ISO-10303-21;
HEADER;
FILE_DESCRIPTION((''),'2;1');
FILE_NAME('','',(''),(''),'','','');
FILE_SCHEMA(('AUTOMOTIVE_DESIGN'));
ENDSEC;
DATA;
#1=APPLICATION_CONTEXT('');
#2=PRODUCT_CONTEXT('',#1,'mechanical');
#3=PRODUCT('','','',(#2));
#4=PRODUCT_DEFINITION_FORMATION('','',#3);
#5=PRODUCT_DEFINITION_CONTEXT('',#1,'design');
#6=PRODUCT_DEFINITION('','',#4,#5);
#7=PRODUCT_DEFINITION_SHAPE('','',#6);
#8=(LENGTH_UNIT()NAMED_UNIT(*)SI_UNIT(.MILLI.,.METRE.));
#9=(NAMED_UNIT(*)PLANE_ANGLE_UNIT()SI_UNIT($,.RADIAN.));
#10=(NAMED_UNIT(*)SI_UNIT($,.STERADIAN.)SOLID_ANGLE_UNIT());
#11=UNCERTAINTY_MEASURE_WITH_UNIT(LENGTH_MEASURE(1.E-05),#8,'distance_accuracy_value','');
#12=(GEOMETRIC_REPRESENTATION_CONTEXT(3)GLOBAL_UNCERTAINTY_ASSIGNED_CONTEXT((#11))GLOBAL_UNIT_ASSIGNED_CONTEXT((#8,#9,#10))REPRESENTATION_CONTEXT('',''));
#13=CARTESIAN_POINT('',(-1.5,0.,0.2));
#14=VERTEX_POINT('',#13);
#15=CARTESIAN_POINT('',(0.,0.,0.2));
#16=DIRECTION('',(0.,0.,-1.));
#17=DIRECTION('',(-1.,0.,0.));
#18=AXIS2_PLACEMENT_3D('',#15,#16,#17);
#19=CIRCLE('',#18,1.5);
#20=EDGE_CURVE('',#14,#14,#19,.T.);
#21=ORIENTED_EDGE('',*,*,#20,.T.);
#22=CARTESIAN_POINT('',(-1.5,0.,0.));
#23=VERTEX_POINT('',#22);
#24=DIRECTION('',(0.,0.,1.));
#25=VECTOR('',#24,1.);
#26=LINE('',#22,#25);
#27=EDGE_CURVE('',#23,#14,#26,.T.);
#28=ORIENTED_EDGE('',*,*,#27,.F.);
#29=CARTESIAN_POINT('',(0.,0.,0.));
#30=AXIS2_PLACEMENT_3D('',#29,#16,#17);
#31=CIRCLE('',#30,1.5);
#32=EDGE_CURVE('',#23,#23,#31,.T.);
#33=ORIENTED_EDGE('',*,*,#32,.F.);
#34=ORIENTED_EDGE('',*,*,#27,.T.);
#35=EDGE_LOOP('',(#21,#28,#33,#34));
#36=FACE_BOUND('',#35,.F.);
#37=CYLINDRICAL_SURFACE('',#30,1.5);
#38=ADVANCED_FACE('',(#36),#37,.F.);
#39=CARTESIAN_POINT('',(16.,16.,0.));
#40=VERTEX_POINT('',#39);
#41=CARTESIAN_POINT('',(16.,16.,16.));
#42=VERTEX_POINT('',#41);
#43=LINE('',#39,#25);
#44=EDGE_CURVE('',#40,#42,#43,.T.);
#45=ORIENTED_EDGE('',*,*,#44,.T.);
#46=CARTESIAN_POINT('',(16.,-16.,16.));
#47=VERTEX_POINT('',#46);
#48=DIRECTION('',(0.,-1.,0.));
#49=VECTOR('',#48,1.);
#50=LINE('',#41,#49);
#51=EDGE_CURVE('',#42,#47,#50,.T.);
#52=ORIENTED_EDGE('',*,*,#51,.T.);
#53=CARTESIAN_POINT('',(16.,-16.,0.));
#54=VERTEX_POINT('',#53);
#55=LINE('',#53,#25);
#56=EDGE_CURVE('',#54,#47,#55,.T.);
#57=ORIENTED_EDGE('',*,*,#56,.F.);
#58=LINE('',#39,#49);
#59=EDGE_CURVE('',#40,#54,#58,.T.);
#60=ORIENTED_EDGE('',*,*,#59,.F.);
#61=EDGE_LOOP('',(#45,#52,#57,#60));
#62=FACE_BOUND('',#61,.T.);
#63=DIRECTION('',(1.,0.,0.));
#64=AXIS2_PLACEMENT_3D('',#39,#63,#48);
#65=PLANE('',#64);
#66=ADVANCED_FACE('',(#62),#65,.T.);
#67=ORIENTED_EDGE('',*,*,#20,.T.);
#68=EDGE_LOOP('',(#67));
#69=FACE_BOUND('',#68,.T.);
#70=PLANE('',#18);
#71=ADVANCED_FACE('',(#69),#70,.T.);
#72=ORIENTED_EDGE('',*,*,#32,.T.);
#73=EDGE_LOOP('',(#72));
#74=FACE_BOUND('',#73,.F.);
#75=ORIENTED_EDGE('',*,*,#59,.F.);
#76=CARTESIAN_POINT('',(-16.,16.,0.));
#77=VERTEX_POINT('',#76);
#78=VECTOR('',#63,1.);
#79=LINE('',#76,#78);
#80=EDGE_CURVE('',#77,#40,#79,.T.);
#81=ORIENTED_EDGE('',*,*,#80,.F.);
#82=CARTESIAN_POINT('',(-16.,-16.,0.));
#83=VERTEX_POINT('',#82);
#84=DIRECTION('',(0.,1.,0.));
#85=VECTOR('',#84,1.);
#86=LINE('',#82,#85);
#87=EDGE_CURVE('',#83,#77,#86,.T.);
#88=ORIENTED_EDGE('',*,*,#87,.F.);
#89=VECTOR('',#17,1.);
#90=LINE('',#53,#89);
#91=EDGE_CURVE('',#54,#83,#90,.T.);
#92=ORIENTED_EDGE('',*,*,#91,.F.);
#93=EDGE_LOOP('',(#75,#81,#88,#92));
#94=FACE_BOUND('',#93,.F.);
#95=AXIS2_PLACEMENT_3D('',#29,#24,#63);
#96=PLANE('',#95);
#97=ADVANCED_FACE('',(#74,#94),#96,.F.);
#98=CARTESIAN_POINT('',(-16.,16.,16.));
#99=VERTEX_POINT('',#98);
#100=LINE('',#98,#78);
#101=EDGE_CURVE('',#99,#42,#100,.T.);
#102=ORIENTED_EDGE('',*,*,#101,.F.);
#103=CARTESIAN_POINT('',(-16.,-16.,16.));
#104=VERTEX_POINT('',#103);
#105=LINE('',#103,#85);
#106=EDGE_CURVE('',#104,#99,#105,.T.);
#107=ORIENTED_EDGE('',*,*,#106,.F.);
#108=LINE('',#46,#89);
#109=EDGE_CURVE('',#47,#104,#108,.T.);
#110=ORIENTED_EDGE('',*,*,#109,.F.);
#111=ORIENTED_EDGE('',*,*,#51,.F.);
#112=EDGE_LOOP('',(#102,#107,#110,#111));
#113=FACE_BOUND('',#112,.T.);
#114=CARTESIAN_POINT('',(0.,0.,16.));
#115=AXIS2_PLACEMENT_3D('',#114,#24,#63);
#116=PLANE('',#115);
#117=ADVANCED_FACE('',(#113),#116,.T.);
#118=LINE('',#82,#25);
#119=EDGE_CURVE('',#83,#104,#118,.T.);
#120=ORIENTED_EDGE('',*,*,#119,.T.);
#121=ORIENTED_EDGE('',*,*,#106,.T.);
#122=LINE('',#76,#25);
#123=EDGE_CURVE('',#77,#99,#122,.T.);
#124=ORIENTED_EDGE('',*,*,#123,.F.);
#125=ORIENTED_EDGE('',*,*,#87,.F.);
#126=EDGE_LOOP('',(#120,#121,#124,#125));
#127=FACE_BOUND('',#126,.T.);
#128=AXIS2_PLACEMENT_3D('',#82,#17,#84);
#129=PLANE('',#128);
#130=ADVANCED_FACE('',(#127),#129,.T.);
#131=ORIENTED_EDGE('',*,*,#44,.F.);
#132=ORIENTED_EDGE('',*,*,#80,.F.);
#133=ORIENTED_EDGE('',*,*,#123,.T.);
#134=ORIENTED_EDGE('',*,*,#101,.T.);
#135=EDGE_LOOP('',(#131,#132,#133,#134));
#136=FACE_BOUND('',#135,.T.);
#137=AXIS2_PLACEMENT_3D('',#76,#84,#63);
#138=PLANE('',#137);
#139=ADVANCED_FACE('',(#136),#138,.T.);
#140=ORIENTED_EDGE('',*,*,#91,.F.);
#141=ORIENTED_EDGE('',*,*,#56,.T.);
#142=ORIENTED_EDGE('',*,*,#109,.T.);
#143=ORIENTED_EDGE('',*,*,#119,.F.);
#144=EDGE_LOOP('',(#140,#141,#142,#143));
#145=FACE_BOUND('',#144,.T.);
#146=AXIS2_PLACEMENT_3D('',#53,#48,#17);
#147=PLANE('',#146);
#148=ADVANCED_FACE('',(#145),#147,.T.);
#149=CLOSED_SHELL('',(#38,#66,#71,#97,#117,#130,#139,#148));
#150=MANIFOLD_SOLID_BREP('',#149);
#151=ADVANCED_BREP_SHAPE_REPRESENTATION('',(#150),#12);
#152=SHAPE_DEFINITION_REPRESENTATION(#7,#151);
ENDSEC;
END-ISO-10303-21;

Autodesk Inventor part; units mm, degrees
ref_plane "YZ Plane" through (0, 0, 0) normal (1, 0, 0) x (0, 1, 0)
ref_plane "XZ Plane" through (0, 0, 0) normal (0, 1, 0) x (-1, 0, 0)
ref_plane "XY Plane" through (0, 0, 0) normal (0, 0, 1) x (1, 0, 0)
sketch "Sketch1" plane through (0, 0, 0) normal (0, 0, 1) x (1, 0, 0)
  line L0 (-16, 16) -> (16, 16)
  line L1 (16, 16) -> (16, -16)
  line L2 (16, -16) -> (-16, -16)
  line L3 (-16, -16) -> (-16, 16)
  line L4 (0, 0) -> (0, 16) construction
  line L5 (0, 0) -> (16, 0) construction
  dimension "d0" = 32
extrude "Extrusion1" add sketch "Sketch1" along normal blind 16
sketch "Sketch2" plane through (0, 0, 0) normal (0, 0, -1) x (-1, 0, 0)
  circle A0 centre (0, 0) radius 1.5
  dimension "d3" = 3
extrude "Extrusion2" cut sketch "Sketch2" against normal blind 0.2
properties part number "mould_casing"
